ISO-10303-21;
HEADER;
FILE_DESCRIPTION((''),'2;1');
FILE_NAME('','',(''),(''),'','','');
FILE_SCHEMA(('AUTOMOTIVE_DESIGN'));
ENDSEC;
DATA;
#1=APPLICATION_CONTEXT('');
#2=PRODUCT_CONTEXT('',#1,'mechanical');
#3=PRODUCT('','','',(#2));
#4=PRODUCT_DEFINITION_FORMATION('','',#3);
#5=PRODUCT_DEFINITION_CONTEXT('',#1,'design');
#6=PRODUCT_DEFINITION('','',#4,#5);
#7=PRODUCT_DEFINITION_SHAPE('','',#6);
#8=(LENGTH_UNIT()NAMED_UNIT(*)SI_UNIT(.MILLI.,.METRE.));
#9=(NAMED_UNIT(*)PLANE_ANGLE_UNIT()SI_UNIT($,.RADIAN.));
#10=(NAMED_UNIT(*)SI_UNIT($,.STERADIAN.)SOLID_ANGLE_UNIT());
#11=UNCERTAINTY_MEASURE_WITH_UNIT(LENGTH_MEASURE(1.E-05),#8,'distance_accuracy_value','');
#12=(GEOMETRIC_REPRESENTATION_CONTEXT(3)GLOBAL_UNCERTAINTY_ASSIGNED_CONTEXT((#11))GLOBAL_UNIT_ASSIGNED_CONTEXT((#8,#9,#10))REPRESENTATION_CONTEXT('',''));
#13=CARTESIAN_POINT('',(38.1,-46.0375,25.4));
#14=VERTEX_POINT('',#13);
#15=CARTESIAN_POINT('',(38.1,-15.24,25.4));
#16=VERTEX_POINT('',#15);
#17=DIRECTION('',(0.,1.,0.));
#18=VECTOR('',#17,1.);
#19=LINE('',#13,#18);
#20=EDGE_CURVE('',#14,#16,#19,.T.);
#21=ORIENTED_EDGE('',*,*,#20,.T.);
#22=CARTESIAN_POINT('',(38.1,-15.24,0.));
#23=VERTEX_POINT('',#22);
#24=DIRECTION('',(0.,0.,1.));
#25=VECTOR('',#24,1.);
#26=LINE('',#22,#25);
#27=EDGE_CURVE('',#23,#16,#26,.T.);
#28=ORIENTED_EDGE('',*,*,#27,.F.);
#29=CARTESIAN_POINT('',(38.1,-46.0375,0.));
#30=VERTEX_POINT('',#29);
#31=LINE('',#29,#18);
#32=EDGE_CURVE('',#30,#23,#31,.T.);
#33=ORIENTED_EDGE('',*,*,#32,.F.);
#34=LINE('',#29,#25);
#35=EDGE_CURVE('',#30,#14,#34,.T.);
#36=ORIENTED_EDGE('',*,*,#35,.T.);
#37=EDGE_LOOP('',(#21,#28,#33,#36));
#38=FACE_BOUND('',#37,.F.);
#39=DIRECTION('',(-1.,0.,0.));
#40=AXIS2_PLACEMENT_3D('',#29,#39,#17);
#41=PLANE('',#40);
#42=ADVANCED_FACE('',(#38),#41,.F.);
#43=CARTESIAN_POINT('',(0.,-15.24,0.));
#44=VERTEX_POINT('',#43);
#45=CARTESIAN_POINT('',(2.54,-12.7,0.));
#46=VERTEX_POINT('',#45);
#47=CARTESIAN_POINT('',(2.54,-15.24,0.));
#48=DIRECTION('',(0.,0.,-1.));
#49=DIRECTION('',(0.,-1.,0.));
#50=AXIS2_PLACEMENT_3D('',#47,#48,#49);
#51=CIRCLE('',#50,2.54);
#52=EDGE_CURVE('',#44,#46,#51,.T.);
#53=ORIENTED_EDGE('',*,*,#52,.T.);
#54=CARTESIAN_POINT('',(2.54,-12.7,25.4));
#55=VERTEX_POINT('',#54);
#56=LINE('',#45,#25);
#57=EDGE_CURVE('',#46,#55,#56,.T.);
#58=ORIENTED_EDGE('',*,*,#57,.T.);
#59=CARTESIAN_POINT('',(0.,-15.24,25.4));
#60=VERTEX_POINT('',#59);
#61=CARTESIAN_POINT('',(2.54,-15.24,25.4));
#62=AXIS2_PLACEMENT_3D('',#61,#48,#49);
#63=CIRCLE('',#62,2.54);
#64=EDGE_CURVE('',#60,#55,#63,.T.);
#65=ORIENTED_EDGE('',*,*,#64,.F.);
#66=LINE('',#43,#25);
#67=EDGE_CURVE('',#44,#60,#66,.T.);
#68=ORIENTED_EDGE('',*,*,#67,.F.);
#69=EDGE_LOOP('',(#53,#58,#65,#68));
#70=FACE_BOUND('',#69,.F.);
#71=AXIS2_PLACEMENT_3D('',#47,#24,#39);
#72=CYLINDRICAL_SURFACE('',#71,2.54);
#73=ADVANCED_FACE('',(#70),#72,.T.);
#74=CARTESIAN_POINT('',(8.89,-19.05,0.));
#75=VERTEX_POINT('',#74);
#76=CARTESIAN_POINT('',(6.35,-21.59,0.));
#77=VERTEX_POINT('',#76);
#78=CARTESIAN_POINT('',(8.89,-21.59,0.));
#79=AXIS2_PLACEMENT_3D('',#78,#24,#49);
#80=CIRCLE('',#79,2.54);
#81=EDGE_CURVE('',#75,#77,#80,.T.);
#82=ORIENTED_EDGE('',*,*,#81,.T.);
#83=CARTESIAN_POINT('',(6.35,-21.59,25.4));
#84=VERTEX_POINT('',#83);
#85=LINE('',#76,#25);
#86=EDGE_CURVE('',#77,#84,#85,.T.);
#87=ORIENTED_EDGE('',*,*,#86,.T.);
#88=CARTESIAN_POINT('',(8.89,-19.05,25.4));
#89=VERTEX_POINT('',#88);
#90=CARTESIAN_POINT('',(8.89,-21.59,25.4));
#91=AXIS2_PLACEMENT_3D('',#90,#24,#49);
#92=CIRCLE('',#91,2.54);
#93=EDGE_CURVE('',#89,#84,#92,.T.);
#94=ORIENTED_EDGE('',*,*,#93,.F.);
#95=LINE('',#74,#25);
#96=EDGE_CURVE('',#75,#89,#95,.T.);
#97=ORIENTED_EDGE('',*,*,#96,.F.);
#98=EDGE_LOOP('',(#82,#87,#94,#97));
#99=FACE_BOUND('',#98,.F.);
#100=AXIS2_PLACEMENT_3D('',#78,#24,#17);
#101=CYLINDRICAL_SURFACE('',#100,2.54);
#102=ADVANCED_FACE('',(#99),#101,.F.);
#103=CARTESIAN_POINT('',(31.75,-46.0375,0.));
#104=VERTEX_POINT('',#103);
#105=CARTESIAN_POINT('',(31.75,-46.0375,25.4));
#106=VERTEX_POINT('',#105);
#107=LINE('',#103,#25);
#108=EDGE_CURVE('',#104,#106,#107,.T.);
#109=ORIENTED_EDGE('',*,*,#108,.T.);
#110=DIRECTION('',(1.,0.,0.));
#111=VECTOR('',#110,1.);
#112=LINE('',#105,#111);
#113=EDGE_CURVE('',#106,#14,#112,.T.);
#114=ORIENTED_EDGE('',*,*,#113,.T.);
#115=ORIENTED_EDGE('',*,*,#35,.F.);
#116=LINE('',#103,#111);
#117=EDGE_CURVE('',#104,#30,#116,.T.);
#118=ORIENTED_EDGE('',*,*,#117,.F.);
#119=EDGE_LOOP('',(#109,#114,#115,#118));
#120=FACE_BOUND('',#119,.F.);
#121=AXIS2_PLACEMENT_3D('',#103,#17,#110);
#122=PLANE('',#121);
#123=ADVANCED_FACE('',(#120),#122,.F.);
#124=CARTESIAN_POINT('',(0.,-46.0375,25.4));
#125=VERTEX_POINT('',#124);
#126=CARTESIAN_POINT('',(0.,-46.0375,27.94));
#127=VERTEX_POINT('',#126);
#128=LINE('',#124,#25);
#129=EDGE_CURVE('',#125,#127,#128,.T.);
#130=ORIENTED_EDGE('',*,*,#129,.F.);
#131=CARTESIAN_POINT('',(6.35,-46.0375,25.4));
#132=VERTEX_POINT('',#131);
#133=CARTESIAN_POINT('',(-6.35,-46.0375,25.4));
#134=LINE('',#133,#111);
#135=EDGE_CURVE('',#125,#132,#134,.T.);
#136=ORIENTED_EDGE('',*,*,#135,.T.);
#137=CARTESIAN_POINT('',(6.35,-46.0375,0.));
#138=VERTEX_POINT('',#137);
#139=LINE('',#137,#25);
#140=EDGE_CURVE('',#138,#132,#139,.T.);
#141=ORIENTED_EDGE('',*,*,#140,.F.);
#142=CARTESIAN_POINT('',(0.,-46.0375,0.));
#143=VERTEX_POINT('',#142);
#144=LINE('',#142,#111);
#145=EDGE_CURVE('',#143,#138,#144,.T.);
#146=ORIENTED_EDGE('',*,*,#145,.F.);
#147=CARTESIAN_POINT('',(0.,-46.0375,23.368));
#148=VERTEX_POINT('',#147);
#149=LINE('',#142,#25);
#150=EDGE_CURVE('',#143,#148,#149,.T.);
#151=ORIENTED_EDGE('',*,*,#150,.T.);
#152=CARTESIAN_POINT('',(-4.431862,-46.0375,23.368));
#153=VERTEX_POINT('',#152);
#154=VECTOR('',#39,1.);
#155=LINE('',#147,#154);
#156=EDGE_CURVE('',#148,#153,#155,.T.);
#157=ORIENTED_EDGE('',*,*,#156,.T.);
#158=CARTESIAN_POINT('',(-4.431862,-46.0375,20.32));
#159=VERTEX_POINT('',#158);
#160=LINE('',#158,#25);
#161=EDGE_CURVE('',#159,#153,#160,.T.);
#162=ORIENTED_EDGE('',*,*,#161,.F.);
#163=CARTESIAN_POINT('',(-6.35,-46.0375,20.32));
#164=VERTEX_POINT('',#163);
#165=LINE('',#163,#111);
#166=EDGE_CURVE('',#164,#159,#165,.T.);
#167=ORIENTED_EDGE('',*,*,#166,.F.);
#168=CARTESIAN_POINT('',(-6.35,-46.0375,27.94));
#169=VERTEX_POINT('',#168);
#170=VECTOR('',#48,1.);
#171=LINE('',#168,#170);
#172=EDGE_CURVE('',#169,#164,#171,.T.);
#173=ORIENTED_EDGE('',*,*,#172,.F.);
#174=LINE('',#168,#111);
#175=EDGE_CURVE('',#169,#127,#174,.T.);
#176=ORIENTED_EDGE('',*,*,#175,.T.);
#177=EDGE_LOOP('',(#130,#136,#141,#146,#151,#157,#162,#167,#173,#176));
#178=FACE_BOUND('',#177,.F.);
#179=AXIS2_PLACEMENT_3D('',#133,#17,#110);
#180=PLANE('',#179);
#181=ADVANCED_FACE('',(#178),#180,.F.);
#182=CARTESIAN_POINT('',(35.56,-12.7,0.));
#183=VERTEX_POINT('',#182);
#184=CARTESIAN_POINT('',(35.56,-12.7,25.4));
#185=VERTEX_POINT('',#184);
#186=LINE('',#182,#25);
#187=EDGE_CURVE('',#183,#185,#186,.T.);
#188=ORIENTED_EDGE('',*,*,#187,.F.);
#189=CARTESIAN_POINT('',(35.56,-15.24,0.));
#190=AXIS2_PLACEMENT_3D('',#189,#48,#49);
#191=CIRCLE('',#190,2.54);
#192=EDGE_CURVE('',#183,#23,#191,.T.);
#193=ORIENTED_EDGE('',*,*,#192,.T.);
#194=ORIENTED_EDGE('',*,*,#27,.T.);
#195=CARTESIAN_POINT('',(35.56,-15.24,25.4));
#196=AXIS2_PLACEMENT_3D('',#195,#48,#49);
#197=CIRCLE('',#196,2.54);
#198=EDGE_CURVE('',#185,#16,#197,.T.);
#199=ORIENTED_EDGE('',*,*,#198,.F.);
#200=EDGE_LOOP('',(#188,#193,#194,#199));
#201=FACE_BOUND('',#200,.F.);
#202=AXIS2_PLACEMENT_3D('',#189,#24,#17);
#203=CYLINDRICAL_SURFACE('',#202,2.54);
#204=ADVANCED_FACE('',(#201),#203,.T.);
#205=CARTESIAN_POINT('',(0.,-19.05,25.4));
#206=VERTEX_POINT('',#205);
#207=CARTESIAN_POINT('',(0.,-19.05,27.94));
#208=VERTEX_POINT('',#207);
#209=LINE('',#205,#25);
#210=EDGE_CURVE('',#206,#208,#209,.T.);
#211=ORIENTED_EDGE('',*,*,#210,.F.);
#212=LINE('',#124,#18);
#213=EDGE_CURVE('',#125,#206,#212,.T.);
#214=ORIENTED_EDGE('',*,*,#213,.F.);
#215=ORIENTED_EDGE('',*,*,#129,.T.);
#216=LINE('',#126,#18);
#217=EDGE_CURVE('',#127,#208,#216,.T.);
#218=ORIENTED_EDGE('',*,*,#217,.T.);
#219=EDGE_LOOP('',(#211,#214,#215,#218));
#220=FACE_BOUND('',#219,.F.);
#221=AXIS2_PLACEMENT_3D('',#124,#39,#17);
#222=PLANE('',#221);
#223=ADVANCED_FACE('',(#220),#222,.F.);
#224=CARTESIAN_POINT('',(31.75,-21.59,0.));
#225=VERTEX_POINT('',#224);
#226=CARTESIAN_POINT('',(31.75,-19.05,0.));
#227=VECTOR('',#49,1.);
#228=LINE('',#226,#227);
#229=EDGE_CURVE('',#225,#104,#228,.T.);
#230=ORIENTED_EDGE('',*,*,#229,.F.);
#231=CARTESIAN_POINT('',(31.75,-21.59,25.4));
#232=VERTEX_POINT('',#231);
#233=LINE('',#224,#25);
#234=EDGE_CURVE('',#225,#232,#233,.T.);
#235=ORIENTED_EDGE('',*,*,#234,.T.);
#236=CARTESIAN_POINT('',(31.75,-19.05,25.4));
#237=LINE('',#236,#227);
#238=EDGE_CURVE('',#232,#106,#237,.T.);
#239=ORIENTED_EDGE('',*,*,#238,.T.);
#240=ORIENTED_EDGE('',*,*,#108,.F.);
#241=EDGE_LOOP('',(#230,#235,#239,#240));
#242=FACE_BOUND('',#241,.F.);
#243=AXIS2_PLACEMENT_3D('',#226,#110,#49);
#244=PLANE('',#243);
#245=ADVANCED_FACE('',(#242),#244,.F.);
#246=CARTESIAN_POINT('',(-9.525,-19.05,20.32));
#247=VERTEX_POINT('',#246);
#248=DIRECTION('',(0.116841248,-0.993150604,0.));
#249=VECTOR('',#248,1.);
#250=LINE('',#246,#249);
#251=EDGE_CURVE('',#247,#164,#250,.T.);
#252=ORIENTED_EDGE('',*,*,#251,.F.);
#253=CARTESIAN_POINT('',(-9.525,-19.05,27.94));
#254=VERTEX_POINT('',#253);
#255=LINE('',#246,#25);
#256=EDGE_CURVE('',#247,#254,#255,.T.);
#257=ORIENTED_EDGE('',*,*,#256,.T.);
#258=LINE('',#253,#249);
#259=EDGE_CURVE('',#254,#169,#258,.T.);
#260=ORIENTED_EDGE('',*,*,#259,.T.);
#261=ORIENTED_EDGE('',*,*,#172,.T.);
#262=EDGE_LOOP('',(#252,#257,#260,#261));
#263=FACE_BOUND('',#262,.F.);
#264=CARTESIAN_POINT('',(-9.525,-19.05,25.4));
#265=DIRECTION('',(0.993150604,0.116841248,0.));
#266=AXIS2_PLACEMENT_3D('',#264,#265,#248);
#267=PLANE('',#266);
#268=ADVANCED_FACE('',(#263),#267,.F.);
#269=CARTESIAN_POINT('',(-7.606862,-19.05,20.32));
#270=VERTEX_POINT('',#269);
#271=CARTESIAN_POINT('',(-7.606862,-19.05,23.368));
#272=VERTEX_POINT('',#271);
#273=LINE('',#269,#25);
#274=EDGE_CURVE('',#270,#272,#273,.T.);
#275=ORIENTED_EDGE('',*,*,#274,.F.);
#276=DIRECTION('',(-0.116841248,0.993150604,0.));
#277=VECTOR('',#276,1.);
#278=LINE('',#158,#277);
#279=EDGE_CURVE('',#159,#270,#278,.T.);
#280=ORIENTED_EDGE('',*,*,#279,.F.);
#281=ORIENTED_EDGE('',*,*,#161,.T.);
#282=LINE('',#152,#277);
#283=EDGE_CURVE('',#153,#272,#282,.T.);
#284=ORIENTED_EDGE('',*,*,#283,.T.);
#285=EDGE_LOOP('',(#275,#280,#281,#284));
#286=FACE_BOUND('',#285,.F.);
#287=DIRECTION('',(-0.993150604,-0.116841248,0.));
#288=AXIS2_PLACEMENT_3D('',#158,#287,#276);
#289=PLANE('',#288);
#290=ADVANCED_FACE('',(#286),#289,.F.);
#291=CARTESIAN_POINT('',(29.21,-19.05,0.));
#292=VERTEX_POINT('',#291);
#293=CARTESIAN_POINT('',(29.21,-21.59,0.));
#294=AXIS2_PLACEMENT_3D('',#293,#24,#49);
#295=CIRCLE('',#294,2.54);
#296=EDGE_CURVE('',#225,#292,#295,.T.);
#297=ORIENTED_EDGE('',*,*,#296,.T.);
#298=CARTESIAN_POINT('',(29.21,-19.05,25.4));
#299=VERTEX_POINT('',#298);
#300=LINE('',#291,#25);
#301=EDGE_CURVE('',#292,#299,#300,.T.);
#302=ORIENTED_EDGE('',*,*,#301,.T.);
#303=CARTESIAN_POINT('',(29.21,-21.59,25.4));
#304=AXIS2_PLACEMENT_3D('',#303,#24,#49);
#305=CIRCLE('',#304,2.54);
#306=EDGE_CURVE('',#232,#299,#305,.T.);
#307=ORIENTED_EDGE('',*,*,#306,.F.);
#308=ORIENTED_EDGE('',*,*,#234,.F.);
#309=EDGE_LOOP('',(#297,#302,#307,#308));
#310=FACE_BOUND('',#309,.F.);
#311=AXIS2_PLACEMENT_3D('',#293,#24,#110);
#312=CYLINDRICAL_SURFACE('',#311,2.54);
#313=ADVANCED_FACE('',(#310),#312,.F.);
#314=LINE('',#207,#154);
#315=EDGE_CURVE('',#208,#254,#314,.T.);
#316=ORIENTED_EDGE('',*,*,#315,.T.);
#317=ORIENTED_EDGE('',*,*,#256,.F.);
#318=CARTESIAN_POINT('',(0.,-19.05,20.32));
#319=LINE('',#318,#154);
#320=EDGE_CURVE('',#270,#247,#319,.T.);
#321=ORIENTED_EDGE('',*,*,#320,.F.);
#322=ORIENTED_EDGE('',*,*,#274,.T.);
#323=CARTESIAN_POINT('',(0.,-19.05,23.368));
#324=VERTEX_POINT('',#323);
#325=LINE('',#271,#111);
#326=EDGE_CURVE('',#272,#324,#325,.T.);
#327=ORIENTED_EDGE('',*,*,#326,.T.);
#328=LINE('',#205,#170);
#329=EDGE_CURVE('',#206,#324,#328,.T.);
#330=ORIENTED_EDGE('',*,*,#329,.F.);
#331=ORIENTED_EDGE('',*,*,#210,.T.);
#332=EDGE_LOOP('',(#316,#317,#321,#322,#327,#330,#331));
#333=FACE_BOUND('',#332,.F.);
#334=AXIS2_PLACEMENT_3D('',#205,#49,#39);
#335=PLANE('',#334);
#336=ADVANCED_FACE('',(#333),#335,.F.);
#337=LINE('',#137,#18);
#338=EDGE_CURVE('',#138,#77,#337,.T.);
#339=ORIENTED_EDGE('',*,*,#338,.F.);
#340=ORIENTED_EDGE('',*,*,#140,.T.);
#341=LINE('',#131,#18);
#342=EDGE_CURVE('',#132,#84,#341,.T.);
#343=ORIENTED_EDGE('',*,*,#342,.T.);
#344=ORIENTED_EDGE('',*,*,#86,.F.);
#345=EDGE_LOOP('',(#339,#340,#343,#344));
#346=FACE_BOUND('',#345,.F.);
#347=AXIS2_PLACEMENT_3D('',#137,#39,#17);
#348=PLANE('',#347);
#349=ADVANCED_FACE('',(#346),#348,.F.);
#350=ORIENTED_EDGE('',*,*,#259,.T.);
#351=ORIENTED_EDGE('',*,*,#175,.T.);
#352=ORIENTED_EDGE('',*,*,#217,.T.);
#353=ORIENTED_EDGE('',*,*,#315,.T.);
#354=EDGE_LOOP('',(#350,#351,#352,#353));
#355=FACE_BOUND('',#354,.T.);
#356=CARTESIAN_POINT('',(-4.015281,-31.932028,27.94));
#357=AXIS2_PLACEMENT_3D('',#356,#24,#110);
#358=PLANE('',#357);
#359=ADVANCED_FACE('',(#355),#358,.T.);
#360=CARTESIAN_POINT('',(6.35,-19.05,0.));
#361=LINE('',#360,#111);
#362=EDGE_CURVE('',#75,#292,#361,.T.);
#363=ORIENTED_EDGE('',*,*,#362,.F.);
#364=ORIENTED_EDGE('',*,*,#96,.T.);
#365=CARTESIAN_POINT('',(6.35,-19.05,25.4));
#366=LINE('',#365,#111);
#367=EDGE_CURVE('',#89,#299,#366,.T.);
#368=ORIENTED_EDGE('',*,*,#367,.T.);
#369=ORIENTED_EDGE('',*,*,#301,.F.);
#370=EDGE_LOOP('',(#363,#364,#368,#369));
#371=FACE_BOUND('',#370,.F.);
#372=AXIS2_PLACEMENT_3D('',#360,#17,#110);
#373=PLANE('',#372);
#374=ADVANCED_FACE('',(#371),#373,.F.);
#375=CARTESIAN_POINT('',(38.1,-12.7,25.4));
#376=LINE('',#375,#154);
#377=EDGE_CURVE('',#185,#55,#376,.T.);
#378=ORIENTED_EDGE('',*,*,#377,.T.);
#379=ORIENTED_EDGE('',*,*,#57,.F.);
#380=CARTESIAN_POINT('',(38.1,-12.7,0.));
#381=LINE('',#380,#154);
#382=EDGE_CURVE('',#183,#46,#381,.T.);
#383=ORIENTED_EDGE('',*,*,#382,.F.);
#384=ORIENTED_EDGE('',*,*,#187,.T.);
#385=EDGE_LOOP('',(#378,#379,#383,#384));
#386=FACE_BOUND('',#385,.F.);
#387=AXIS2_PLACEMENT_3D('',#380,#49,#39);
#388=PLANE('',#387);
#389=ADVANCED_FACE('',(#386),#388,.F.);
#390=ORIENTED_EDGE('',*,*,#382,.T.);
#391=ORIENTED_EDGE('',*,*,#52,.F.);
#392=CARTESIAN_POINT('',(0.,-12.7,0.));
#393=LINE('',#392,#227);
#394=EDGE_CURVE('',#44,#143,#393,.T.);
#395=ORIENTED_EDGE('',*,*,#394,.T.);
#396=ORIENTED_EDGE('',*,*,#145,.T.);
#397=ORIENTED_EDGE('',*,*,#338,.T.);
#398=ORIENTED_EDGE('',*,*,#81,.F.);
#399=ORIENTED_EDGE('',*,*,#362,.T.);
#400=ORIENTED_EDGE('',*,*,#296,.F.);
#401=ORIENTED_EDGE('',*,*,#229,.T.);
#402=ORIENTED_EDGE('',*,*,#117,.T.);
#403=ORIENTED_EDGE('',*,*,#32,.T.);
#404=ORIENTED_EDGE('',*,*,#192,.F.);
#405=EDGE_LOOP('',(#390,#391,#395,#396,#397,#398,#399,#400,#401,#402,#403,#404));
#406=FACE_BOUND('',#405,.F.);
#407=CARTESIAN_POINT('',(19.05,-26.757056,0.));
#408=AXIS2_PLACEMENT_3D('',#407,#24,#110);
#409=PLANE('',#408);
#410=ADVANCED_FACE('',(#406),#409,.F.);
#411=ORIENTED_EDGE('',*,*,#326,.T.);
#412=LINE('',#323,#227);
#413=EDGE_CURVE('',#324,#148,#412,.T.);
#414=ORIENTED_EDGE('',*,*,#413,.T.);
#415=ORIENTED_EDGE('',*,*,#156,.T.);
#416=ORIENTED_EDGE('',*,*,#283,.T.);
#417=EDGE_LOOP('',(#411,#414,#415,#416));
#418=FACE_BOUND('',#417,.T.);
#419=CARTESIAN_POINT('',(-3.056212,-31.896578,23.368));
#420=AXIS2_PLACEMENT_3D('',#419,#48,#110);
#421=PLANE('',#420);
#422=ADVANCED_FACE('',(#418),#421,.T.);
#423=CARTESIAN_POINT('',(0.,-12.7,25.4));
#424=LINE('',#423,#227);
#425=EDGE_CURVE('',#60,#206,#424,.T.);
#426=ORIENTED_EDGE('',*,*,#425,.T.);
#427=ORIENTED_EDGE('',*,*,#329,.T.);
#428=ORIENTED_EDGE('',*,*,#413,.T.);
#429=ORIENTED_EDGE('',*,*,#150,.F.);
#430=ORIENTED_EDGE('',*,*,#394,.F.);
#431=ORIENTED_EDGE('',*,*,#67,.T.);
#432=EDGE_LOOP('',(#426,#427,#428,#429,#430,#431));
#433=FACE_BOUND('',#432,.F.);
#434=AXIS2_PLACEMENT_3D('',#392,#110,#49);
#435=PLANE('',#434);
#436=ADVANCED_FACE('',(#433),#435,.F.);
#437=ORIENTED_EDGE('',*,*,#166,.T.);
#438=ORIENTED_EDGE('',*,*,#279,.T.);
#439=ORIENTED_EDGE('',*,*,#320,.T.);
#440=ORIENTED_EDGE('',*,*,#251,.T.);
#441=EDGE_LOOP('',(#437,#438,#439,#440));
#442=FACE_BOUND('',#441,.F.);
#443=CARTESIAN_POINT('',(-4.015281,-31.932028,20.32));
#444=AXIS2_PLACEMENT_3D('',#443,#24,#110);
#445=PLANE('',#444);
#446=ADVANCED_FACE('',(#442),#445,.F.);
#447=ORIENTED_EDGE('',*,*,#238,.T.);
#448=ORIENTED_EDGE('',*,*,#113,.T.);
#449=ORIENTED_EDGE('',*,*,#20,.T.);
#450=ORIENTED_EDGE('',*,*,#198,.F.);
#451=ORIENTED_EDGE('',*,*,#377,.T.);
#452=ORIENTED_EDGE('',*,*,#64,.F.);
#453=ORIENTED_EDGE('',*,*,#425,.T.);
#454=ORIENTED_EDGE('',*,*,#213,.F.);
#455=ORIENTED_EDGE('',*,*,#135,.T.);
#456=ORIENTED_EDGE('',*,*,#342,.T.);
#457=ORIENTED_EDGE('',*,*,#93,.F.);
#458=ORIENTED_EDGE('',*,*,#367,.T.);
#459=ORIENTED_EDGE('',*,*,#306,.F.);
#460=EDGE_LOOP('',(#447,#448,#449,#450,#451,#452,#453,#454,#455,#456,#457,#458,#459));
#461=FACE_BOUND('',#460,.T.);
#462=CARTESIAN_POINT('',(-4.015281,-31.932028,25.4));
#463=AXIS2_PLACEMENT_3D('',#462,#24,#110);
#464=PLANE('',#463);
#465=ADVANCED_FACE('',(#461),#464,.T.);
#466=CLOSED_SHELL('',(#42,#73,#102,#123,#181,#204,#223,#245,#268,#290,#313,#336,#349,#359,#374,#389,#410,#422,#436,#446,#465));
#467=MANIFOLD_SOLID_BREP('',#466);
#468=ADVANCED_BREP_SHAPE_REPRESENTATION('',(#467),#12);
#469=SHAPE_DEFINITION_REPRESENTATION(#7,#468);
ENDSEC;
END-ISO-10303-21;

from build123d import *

# Parameters (mm, degrees)
F1_DEPTH      = 25.4
F3_DEPTH      = 5.08
F3_DEPTH_BACK = 2.54
F4_R          = 2.54
F6_DEPTH      = 3.048


with BuildPart() as f1:
    # F0 (on Top) → F1 (new body)
    with BuildSketch(Plane.XY):
        Polygon((6.35, -19.05), (31.75, -19.05), (31.75, -46.0375), (38.1, -46.0375), (38.1, -12.7), (0, -12.7), (0, -46.0375), (6.35, -46.0375), align=None)
    extrude(amount=F1_DEPTH)

    # F2 (on face) → F3 (join, two sides)
    with BuildSketch(Plane.XY.offset(25.4)) as f3_sk:
        Polygon((0, -46.0375), (0, -19.05), (-9.525, -19.05), (-6.35, -46.0375), align=None)
    extrude(amount=-F3_DEPTH)
    extrude(f3_sk.sketch, amount=F3_DEPTH_BACK)

    # F4
    f4_edges = [f1.edges().sort_by_distance(p)[0] for p in [
        (6.35, -19.05, 12.7),
        (31.75, -19.05, 12.7),
        (38.1, -12.7, 12.7),
        (0, -12.7, 12.7),
    ]]
    fillet(f4_edges, radius=F4_R)

    # F5 (on face) → F6 (cut)
    with BuildSketch(Plane(origin=(0, 0, 20.32), x_dir=(1, 0, 0), z_dir=(0, 0, -1))):
        Polygon((0, 46.0375), (-4.4318619133, 46.0375), (-7.6068619133, 19.05), (0, 19.05), align=None)
    extrude(amount=-F6_DEPTH, mode=Mode.SUBTRACT)


solid = f1.part
